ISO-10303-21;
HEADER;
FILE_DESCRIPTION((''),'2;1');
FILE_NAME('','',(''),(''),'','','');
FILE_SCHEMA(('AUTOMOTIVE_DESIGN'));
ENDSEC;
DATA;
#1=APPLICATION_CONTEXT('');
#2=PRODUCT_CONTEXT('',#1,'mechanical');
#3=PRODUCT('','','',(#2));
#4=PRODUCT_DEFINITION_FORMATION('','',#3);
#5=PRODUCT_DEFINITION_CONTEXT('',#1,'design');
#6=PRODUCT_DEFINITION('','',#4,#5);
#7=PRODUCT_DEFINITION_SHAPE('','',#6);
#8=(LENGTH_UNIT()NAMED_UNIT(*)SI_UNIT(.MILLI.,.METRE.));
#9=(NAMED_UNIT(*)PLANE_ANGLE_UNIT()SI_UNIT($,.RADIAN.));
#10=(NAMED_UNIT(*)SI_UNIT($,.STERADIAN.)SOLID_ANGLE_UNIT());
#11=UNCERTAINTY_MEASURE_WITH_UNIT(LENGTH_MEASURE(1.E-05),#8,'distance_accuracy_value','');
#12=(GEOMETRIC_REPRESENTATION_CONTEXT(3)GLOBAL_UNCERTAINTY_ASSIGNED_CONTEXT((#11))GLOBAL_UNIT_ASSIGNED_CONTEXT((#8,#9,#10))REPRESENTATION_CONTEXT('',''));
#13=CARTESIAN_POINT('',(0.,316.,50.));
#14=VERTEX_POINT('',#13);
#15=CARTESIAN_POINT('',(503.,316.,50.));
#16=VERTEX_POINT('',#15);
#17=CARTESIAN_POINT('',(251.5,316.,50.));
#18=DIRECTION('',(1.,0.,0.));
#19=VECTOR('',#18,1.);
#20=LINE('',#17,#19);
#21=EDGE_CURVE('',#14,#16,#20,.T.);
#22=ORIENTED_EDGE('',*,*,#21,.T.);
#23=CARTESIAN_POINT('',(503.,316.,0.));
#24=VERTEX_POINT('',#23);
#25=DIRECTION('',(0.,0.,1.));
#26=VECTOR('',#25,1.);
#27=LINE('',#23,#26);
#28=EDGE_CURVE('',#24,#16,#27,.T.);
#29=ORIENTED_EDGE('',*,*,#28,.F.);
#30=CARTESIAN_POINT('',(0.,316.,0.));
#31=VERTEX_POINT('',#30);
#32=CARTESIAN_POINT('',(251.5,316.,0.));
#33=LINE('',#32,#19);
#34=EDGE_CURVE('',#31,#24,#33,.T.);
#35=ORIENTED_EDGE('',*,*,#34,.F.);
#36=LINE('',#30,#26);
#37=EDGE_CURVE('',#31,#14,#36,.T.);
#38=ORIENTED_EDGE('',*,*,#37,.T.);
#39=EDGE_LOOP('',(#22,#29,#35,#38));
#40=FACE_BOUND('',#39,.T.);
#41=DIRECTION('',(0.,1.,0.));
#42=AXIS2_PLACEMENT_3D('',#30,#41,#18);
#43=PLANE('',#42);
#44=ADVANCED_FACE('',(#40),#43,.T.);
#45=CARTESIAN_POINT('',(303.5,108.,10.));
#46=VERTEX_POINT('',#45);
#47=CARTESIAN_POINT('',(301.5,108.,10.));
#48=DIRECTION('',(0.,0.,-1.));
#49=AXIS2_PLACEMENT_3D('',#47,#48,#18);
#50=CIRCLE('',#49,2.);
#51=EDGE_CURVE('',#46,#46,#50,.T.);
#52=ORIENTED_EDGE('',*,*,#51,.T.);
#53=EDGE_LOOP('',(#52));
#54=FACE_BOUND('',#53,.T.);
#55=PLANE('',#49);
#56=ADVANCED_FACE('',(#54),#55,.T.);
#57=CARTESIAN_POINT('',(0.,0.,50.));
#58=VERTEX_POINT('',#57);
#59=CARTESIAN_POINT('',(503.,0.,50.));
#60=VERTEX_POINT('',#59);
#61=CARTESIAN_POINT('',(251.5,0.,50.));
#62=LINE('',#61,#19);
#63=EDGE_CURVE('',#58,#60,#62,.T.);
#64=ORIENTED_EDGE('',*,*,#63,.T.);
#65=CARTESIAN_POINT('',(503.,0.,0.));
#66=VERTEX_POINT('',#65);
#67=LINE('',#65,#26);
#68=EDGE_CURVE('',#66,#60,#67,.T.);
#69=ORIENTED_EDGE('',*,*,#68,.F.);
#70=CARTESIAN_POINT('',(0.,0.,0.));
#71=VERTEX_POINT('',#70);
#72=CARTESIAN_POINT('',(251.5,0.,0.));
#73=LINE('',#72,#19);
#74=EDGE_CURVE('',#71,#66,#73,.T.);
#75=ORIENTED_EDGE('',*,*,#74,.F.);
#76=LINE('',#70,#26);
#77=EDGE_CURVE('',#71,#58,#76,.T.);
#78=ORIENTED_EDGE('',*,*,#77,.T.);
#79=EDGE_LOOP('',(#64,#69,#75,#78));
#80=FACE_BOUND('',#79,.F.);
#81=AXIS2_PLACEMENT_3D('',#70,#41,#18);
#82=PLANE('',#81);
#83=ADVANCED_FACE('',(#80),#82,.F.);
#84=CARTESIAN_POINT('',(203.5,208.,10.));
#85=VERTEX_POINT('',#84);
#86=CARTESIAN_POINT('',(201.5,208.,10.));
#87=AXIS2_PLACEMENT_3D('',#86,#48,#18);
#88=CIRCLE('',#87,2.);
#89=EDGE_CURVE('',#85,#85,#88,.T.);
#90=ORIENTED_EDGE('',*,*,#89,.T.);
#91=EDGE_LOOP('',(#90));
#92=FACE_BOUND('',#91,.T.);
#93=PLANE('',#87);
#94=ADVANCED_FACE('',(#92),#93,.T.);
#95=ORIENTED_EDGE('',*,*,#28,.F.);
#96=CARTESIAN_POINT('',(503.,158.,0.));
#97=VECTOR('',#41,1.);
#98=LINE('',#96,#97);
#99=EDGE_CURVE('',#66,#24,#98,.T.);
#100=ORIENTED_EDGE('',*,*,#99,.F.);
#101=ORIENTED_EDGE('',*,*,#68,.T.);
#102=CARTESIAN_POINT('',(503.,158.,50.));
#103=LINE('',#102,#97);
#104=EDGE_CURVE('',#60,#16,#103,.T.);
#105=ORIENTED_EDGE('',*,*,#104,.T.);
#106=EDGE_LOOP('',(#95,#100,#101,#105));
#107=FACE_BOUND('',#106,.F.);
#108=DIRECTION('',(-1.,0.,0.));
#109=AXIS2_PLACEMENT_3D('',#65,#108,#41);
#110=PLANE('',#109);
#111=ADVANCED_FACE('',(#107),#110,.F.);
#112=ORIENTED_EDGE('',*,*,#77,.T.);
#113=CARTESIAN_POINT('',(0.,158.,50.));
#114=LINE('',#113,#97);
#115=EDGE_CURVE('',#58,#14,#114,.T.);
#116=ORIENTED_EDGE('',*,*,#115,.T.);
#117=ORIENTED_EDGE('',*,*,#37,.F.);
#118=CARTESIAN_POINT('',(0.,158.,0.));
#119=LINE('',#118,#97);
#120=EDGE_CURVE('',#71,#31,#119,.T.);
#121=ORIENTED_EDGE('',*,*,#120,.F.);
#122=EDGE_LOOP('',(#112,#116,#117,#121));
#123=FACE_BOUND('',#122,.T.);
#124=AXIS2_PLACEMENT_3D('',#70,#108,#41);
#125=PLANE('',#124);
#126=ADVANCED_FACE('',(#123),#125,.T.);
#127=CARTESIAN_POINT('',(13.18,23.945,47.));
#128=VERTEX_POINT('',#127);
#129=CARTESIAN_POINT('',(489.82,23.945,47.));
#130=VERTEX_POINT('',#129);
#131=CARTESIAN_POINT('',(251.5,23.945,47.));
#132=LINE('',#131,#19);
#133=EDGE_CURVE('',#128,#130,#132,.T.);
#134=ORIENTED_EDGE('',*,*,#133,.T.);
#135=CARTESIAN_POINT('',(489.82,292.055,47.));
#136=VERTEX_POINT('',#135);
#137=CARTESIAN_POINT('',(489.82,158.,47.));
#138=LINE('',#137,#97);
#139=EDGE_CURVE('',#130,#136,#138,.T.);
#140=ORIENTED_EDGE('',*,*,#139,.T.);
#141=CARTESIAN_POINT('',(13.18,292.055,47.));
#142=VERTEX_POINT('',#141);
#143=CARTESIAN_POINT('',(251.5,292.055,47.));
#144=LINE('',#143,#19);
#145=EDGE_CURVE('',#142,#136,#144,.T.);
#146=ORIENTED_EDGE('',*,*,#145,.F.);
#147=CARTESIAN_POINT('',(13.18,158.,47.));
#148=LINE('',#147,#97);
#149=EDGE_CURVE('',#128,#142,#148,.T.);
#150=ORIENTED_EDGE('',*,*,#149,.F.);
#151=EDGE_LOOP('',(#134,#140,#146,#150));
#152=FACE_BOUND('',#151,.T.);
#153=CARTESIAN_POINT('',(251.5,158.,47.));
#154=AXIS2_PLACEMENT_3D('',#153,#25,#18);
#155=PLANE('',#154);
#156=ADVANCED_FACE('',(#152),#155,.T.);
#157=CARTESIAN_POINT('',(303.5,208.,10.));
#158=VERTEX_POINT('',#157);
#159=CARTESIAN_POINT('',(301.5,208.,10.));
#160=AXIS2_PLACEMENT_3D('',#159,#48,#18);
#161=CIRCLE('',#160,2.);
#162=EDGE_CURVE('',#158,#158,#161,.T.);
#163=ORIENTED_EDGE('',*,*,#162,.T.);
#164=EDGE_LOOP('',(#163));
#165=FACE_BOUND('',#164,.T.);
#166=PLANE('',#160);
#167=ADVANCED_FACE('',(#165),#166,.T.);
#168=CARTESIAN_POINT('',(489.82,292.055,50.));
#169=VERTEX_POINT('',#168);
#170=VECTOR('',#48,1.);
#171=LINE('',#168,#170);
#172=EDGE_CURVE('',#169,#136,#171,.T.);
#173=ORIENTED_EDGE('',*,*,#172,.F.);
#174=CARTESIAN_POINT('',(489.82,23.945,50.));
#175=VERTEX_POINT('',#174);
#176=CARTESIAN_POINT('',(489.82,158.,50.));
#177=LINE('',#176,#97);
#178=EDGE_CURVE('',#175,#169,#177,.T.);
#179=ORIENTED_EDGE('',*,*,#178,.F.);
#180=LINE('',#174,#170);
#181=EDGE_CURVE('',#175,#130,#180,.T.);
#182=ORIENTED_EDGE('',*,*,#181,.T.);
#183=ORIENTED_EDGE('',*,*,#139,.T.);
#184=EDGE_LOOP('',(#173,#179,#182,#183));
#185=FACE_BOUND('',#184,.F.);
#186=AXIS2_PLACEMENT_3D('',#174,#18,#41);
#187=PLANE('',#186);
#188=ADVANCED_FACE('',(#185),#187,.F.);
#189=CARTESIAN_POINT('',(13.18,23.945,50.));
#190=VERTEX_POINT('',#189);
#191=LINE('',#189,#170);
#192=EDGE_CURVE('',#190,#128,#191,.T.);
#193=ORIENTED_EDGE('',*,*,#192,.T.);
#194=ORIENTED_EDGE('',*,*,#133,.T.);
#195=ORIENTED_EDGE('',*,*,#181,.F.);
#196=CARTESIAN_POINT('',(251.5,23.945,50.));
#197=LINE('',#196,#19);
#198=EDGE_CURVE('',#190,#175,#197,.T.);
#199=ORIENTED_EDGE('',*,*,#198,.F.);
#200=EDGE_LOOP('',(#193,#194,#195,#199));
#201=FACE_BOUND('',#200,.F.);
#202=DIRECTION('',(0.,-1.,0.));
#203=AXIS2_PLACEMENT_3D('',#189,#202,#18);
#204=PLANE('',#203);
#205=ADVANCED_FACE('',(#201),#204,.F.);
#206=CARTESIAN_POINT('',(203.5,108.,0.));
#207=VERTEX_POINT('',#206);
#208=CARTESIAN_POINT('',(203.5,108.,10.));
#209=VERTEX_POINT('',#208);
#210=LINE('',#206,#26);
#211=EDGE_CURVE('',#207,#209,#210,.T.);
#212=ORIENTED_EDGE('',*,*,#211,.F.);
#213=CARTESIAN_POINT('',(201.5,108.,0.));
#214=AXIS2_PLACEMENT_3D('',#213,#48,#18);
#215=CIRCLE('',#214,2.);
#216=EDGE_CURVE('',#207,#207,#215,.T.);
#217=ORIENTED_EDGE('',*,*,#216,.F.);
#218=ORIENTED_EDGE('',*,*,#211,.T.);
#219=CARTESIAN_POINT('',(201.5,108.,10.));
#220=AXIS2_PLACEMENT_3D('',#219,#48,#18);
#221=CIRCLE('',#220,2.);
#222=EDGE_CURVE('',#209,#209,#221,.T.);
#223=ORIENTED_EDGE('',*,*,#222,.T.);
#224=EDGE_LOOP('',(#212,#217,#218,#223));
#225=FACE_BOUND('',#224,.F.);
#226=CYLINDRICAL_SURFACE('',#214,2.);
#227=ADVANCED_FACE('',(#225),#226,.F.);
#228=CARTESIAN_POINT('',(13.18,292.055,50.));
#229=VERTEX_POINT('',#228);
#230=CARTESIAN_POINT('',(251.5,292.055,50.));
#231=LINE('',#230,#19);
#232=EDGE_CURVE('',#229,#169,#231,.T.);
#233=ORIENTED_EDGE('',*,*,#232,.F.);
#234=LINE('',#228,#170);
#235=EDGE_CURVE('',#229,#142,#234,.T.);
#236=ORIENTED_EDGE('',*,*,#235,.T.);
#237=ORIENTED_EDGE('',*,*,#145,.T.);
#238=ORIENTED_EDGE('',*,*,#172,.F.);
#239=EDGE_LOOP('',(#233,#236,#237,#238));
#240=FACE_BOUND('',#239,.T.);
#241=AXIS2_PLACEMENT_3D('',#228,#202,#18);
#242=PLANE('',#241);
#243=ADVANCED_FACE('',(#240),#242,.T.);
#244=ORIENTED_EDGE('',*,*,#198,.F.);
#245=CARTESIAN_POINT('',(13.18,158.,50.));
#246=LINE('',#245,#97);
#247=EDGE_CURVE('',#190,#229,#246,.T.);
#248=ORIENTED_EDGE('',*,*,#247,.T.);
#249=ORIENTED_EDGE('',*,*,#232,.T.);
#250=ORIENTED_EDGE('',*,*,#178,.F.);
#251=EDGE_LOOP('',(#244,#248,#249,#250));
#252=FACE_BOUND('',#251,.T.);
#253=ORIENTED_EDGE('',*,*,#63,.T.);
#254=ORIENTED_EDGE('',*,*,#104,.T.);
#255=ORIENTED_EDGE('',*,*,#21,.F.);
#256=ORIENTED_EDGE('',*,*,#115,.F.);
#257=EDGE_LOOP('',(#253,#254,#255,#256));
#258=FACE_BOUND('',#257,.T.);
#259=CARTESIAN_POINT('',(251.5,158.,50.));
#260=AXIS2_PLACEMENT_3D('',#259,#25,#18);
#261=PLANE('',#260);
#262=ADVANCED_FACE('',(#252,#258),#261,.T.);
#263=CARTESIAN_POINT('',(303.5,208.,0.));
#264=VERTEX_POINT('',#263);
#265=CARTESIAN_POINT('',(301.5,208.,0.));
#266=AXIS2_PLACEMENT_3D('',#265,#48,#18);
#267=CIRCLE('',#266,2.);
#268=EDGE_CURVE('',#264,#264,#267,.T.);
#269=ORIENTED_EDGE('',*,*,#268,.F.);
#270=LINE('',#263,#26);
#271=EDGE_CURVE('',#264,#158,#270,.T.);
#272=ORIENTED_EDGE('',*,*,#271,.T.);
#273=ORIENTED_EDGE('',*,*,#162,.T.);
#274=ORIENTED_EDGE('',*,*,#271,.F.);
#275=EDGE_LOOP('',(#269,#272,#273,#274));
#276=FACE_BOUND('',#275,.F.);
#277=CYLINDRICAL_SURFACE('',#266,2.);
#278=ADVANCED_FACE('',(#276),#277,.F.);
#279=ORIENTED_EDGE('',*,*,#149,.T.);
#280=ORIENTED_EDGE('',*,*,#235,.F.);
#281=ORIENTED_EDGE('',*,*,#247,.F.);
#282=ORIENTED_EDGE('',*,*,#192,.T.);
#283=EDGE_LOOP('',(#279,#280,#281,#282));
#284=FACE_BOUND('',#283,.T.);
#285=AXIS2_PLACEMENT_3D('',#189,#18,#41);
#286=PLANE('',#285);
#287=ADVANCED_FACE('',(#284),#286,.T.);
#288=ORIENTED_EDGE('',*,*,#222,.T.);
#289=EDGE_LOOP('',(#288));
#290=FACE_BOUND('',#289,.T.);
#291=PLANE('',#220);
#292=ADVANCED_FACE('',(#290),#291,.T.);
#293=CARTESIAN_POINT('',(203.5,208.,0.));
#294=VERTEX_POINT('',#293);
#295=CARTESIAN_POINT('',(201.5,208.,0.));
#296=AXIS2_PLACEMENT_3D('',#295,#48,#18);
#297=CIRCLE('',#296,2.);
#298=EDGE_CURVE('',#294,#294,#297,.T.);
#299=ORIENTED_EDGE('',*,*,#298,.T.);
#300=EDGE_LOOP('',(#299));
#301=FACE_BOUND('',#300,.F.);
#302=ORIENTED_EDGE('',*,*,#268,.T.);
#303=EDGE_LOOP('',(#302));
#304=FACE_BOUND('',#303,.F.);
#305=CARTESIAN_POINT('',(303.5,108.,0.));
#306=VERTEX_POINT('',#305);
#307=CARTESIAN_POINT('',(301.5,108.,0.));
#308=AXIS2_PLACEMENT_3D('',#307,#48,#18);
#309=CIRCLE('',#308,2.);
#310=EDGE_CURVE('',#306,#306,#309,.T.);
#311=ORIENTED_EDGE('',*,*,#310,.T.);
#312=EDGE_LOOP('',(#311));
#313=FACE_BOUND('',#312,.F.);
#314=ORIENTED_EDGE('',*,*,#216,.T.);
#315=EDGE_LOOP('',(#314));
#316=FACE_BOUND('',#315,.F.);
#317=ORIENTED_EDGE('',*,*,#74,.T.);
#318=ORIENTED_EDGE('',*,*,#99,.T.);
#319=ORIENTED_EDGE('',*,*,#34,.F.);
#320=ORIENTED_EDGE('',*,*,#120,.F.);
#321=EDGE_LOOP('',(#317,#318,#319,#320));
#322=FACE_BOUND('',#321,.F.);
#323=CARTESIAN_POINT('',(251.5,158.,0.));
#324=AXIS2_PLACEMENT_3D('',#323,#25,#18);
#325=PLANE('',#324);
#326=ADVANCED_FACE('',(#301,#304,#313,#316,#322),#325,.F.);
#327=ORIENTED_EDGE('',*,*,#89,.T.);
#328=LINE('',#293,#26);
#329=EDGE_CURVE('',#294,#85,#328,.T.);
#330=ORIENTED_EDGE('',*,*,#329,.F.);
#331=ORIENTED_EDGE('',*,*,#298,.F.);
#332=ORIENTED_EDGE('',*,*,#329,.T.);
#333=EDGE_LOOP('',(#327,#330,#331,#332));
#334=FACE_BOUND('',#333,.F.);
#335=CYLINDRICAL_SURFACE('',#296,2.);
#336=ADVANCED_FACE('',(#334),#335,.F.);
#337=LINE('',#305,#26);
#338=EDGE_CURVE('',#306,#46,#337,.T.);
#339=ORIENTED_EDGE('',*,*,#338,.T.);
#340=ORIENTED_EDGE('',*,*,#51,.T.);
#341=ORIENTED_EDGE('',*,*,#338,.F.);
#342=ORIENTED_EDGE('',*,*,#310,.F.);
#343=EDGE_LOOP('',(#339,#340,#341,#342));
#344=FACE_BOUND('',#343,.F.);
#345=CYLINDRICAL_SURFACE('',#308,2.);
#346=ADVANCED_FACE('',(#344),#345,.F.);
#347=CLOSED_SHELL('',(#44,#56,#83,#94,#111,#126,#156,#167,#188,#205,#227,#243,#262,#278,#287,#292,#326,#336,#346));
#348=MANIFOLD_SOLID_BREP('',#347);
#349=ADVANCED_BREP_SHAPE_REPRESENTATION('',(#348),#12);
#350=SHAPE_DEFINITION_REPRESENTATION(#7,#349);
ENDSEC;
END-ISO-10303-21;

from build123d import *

# Parameters (mm, degrees)
F0_W     = 503
F0_H     = 316
F1_DEPTH = 50
F2_R     = 2
F3_DEPTH = 10
F4_W     = 476.64
F4_H     = 268.11
F5_DEPTH = 3


with BuildPart() as f1:
    # F0 (on Top) → F1 (new body)
    with BuildSketch(Plane.XY):
        with Locations((251.5, 158)):
            Rectangle(F0_W, F0_H)
    extrude(amount=F1_DEPTH)

    # F2 (on face) → F3 (cut)
    with BuildSketch(Plane(origin=(0, 0, 0), x_dir=(1, 0, 0), z_dir=(0, 0, -1))):
        with Locations((301.5, -208)):
            Circle(F2_R)
        with Locations((201.5, -208)):
            Circle(F2_R)
        with Locations((201.5, -108)):
            Circle(F2_R)
        with Locations((301.5, -108)):
            Circle(F2_R)
    extrude(amount=-F3_DEPTH, mode=Mode.SUBTRACT)

    # F4 (on face) → F5 (cut)
    with BuildSketch(Plane.XY.offset(50)):
        with Locations((251.5, 158)):
            Rectangle(F4_W, F4_H)
    extrude(amount=-F5_DEPTH, mode=Mode.SUBTRACT)


solid = f1.part
